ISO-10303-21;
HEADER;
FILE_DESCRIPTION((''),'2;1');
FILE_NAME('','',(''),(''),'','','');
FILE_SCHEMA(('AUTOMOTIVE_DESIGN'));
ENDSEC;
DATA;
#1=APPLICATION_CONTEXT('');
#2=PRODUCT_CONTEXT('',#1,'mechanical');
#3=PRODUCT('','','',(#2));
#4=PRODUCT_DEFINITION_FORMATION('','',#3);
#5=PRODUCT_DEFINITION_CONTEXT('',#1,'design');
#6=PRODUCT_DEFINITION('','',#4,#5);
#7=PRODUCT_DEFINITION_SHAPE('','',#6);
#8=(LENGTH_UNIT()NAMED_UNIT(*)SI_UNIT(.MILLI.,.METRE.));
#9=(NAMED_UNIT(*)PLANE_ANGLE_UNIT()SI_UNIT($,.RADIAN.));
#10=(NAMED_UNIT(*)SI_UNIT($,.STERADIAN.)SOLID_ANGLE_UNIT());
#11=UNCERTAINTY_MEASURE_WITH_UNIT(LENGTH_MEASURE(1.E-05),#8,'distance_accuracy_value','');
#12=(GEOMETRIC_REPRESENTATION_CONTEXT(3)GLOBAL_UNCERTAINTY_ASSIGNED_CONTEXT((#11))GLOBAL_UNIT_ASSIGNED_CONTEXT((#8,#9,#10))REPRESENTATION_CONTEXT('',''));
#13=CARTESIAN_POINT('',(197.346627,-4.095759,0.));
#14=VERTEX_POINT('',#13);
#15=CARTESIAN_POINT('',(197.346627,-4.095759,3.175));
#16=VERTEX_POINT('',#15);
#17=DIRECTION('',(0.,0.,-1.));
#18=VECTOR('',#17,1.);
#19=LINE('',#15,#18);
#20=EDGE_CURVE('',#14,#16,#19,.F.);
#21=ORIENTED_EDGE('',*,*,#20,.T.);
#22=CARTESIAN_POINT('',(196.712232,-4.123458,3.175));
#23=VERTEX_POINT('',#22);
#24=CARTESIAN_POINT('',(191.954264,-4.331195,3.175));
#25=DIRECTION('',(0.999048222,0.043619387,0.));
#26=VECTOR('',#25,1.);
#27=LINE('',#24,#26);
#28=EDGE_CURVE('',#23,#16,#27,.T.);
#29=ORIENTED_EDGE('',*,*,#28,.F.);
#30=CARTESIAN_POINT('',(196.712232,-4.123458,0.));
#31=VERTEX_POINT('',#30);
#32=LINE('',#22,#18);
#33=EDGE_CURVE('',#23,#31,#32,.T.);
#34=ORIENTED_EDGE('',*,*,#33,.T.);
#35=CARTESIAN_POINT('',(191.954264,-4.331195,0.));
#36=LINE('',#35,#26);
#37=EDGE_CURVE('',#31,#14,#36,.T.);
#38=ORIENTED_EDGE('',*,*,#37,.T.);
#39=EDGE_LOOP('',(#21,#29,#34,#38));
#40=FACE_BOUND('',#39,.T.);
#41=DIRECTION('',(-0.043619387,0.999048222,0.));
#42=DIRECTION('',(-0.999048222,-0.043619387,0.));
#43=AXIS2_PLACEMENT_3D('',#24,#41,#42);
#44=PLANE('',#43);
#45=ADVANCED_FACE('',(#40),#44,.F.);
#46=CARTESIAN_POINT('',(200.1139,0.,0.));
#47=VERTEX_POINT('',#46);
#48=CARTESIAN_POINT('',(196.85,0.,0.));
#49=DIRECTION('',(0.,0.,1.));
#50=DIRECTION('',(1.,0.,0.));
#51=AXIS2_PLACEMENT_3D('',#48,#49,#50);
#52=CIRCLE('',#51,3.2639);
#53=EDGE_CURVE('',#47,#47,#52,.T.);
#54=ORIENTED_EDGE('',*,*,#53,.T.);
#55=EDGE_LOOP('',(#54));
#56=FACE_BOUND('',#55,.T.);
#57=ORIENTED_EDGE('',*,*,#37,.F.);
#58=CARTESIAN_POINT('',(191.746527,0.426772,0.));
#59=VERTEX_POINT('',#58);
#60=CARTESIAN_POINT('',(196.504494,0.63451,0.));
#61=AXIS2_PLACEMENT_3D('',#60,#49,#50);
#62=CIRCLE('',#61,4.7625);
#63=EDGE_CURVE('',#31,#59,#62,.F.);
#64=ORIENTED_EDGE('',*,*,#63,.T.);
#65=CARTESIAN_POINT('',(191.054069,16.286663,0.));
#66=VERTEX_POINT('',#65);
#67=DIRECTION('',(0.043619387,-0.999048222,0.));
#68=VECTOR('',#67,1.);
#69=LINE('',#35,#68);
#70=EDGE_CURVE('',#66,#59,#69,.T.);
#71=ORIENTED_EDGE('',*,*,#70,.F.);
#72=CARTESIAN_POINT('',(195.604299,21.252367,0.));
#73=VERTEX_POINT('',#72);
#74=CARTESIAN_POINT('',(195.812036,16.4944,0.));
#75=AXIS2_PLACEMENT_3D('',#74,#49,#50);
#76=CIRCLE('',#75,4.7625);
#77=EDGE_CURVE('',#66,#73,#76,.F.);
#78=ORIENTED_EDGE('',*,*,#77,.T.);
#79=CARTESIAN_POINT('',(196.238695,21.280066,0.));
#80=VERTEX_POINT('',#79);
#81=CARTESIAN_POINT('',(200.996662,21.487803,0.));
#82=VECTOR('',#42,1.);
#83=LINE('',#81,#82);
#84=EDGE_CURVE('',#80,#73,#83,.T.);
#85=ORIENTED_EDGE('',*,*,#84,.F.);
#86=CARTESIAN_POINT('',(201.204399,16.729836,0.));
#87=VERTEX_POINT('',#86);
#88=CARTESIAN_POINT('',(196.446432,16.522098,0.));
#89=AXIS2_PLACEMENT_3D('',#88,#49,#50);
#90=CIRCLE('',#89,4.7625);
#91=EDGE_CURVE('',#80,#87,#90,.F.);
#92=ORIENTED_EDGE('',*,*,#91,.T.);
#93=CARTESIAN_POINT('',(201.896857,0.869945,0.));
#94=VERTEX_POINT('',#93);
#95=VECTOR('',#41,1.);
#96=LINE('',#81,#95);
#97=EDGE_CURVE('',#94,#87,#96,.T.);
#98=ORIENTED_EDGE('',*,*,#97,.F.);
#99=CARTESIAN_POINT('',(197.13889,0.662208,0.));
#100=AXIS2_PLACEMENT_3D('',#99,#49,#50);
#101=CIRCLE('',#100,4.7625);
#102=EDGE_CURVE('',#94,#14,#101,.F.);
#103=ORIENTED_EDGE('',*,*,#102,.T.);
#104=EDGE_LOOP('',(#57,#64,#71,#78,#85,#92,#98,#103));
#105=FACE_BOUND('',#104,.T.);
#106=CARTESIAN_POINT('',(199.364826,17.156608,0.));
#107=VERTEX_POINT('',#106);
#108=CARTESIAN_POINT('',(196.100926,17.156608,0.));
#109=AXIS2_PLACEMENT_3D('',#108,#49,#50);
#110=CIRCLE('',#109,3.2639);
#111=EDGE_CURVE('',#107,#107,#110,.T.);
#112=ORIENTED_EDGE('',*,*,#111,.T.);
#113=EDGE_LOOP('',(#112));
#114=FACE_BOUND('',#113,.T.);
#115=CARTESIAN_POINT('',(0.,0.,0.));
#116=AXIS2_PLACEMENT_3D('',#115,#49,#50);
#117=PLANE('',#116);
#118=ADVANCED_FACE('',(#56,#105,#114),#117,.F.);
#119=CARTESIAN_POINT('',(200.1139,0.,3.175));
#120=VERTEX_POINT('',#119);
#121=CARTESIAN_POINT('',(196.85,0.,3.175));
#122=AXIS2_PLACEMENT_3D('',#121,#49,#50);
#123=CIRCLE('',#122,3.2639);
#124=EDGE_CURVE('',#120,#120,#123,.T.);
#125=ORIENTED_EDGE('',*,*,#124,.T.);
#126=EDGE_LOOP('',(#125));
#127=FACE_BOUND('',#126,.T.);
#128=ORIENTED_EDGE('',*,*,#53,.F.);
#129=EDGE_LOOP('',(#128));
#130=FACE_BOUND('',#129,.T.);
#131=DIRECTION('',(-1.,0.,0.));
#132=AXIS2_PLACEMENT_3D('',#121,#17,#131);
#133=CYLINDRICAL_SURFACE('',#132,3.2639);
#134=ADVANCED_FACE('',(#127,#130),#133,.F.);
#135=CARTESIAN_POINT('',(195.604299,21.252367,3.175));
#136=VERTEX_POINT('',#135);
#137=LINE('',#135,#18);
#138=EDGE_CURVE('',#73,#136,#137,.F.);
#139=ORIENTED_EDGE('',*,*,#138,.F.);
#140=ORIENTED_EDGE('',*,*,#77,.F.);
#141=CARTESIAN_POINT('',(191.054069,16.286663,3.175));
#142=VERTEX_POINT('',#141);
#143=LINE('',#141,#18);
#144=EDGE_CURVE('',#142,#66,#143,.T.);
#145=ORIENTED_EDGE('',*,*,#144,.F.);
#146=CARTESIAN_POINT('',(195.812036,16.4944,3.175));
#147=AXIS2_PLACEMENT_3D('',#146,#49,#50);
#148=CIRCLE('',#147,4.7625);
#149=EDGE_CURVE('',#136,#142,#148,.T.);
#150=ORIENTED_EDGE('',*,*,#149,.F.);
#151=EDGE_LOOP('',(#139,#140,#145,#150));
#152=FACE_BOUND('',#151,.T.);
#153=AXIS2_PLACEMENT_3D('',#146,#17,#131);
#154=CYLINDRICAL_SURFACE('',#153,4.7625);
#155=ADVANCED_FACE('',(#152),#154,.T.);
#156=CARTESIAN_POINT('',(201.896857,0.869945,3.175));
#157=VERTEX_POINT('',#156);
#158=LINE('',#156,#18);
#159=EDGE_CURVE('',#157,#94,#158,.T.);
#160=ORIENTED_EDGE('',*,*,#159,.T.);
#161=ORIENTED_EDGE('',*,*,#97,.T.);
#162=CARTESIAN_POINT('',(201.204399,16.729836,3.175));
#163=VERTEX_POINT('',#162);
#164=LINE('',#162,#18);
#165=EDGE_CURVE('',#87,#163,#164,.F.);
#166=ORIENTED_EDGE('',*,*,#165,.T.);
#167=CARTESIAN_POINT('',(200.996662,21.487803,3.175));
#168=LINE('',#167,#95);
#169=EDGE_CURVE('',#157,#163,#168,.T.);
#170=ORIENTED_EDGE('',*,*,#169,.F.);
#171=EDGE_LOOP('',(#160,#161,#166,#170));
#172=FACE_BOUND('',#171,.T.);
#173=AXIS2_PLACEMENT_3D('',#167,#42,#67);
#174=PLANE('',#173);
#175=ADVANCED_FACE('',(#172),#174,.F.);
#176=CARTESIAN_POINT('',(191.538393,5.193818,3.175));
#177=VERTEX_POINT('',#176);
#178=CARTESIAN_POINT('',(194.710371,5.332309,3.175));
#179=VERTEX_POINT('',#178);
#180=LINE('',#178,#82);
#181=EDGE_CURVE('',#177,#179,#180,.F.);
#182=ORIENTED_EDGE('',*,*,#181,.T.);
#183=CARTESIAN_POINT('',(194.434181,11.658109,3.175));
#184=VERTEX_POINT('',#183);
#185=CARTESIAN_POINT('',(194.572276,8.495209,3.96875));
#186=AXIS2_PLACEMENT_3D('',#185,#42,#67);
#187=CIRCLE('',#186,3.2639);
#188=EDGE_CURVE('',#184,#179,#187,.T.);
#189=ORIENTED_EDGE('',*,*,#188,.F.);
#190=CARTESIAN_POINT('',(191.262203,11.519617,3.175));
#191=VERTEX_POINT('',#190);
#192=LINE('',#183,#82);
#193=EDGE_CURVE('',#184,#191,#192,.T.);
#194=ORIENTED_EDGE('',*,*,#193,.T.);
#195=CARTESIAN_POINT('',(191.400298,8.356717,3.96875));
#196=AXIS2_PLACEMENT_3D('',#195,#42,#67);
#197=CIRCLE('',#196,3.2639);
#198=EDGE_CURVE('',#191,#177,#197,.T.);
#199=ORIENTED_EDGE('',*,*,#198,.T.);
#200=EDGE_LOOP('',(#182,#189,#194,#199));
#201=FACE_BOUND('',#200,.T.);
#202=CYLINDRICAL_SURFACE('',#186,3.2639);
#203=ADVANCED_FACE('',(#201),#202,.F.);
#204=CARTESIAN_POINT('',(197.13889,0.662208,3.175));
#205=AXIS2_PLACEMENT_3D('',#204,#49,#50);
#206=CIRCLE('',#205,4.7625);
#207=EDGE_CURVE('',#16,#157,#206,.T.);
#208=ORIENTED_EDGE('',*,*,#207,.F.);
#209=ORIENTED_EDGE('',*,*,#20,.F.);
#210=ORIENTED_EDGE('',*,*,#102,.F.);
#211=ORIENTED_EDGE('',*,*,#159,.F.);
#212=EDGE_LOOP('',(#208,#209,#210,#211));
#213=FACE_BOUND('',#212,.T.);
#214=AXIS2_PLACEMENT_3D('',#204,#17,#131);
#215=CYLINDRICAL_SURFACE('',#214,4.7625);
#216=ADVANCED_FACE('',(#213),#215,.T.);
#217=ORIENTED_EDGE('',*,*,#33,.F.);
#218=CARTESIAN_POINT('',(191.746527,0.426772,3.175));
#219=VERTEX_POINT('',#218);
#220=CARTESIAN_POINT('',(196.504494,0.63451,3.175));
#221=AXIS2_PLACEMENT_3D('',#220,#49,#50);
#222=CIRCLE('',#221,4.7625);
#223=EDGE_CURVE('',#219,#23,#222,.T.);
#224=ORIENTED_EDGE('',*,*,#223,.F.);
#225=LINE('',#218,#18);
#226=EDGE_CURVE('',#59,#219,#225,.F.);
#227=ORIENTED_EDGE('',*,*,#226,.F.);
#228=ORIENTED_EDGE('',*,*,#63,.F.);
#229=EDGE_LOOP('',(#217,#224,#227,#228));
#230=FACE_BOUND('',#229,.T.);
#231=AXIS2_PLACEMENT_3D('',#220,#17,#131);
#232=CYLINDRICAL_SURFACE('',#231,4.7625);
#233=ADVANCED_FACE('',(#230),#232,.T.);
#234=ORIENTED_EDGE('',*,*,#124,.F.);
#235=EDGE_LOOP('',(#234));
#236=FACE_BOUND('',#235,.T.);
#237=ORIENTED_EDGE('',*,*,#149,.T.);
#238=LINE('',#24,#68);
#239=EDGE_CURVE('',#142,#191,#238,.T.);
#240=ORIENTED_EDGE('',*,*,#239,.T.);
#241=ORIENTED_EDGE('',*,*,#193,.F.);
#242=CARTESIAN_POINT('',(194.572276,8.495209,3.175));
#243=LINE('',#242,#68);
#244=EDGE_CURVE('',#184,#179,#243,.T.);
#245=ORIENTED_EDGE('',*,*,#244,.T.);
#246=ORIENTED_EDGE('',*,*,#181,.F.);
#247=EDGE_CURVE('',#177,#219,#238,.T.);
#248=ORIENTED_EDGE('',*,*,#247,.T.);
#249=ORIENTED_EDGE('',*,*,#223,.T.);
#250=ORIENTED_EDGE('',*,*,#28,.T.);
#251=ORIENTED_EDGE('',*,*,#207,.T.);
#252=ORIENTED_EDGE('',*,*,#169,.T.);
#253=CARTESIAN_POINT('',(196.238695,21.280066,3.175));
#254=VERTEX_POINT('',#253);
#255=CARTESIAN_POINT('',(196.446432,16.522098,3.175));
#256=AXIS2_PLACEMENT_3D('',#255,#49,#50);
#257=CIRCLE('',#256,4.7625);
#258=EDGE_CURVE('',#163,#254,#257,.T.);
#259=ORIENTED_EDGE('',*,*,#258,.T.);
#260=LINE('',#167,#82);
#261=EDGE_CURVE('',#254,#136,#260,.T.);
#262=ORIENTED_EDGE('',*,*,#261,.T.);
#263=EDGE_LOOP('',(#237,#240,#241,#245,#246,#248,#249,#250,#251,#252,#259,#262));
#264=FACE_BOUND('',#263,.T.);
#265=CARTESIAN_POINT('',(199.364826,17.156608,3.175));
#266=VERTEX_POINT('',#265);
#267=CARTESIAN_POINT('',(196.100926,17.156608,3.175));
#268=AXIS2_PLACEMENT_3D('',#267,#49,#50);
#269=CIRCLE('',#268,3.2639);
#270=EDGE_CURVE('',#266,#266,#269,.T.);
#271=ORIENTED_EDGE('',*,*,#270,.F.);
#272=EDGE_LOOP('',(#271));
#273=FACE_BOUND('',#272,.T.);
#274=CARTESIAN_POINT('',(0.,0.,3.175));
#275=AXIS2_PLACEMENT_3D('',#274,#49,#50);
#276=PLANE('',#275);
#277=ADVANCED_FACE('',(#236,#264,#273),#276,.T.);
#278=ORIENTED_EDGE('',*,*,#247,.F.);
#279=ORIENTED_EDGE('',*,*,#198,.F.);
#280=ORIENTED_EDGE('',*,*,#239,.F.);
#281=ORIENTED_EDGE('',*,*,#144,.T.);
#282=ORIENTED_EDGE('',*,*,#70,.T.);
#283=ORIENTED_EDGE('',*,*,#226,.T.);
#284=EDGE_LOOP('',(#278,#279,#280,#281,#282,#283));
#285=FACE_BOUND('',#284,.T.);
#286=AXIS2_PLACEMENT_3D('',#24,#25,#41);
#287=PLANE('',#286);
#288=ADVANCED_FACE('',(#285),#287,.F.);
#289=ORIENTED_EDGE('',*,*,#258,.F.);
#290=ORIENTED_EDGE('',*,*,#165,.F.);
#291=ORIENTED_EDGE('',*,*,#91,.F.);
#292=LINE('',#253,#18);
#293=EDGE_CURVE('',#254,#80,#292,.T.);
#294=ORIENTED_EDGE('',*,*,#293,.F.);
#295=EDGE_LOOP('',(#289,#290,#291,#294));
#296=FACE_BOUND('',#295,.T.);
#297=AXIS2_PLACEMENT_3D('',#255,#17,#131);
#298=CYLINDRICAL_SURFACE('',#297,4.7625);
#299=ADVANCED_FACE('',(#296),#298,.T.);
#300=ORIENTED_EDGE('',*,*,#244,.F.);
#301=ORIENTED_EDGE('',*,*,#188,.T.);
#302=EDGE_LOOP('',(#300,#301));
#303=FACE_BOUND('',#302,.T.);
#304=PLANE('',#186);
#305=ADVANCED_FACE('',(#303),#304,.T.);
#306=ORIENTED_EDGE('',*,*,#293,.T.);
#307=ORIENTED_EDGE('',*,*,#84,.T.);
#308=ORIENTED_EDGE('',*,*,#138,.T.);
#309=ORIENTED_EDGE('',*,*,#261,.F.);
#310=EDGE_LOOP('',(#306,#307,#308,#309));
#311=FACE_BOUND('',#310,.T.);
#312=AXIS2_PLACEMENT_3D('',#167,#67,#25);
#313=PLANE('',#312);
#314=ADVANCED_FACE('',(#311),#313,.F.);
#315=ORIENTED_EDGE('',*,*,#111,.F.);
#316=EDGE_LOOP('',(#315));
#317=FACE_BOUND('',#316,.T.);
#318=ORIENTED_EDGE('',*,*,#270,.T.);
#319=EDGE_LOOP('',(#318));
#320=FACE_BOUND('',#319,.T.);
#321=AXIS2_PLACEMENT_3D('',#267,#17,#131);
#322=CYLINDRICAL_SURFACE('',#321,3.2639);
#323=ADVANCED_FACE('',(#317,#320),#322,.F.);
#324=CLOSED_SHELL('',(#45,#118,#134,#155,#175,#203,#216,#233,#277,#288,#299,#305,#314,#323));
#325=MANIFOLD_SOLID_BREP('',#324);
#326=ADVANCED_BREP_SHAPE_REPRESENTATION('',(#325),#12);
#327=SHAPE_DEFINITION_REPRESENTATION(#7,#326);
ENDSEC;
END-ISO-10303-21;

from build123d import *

# Parameters (mm, degrees)
SKETCH1_R           = 3.2639
BOSS_EXTRUDE1_DEPTH = 3.175
FILLET1_R           = 4.7625
SKETCH2_R           = 3.2639
CUT_EXTRUDE1_DEPTH  = 3.175


with BuildPart() as part:
    # Sketch1 → Boss-Extrude1 (new body)
    with BuildSketch(Plane.XY):
        Polygon((200.996661906, 21.487802882), (190.846331975, 21.044629906), (191.954264414, -4.331194922), (202.104594345, -3.888021946), align=None)
        with Locations((196.85, 0)):
            Circle(SKETCH1_R, mode=Mode.SUBTRACT)
        with Locations((196.100926319, 17.15660796)):
            Circle(SKETCH1_R, mode=Mode.SUBTRACT)
    extrude(amount=BOSS_EXTRUDE1_DEPTH)

    # Fillet1
    fillet1_edges = [part.edges().sort_by_distance(p)[0] for p in [
        (202.104594345, -3.888021946, 1.5875),
        (191.954264414, -4.331194922, 1.5875),
        (190.846331975, 21.044629906, 1.5875),
        (200.996661906, 21.487802882, 1.5875),
    ]]
    fillet(fillet1_edges, radius=FILLET1_R)

    # Sketch2 → Cut-Extrude1 (cut)
    with BuildSketch(Plane(origin=(191.400298194, 8.356717492, 0), x_dir=(0, 0, 1), z_dir=(-0.9990482215818578, -0.043619387365334696, 0))):
        with Locations((3.96875, 0)):
            Circle(SKETCH2_R)
    extrude(amount=-CUT_EXTRUDE1_DEPTH, mode=Mode.SUBTRACT)


solid = part.part
